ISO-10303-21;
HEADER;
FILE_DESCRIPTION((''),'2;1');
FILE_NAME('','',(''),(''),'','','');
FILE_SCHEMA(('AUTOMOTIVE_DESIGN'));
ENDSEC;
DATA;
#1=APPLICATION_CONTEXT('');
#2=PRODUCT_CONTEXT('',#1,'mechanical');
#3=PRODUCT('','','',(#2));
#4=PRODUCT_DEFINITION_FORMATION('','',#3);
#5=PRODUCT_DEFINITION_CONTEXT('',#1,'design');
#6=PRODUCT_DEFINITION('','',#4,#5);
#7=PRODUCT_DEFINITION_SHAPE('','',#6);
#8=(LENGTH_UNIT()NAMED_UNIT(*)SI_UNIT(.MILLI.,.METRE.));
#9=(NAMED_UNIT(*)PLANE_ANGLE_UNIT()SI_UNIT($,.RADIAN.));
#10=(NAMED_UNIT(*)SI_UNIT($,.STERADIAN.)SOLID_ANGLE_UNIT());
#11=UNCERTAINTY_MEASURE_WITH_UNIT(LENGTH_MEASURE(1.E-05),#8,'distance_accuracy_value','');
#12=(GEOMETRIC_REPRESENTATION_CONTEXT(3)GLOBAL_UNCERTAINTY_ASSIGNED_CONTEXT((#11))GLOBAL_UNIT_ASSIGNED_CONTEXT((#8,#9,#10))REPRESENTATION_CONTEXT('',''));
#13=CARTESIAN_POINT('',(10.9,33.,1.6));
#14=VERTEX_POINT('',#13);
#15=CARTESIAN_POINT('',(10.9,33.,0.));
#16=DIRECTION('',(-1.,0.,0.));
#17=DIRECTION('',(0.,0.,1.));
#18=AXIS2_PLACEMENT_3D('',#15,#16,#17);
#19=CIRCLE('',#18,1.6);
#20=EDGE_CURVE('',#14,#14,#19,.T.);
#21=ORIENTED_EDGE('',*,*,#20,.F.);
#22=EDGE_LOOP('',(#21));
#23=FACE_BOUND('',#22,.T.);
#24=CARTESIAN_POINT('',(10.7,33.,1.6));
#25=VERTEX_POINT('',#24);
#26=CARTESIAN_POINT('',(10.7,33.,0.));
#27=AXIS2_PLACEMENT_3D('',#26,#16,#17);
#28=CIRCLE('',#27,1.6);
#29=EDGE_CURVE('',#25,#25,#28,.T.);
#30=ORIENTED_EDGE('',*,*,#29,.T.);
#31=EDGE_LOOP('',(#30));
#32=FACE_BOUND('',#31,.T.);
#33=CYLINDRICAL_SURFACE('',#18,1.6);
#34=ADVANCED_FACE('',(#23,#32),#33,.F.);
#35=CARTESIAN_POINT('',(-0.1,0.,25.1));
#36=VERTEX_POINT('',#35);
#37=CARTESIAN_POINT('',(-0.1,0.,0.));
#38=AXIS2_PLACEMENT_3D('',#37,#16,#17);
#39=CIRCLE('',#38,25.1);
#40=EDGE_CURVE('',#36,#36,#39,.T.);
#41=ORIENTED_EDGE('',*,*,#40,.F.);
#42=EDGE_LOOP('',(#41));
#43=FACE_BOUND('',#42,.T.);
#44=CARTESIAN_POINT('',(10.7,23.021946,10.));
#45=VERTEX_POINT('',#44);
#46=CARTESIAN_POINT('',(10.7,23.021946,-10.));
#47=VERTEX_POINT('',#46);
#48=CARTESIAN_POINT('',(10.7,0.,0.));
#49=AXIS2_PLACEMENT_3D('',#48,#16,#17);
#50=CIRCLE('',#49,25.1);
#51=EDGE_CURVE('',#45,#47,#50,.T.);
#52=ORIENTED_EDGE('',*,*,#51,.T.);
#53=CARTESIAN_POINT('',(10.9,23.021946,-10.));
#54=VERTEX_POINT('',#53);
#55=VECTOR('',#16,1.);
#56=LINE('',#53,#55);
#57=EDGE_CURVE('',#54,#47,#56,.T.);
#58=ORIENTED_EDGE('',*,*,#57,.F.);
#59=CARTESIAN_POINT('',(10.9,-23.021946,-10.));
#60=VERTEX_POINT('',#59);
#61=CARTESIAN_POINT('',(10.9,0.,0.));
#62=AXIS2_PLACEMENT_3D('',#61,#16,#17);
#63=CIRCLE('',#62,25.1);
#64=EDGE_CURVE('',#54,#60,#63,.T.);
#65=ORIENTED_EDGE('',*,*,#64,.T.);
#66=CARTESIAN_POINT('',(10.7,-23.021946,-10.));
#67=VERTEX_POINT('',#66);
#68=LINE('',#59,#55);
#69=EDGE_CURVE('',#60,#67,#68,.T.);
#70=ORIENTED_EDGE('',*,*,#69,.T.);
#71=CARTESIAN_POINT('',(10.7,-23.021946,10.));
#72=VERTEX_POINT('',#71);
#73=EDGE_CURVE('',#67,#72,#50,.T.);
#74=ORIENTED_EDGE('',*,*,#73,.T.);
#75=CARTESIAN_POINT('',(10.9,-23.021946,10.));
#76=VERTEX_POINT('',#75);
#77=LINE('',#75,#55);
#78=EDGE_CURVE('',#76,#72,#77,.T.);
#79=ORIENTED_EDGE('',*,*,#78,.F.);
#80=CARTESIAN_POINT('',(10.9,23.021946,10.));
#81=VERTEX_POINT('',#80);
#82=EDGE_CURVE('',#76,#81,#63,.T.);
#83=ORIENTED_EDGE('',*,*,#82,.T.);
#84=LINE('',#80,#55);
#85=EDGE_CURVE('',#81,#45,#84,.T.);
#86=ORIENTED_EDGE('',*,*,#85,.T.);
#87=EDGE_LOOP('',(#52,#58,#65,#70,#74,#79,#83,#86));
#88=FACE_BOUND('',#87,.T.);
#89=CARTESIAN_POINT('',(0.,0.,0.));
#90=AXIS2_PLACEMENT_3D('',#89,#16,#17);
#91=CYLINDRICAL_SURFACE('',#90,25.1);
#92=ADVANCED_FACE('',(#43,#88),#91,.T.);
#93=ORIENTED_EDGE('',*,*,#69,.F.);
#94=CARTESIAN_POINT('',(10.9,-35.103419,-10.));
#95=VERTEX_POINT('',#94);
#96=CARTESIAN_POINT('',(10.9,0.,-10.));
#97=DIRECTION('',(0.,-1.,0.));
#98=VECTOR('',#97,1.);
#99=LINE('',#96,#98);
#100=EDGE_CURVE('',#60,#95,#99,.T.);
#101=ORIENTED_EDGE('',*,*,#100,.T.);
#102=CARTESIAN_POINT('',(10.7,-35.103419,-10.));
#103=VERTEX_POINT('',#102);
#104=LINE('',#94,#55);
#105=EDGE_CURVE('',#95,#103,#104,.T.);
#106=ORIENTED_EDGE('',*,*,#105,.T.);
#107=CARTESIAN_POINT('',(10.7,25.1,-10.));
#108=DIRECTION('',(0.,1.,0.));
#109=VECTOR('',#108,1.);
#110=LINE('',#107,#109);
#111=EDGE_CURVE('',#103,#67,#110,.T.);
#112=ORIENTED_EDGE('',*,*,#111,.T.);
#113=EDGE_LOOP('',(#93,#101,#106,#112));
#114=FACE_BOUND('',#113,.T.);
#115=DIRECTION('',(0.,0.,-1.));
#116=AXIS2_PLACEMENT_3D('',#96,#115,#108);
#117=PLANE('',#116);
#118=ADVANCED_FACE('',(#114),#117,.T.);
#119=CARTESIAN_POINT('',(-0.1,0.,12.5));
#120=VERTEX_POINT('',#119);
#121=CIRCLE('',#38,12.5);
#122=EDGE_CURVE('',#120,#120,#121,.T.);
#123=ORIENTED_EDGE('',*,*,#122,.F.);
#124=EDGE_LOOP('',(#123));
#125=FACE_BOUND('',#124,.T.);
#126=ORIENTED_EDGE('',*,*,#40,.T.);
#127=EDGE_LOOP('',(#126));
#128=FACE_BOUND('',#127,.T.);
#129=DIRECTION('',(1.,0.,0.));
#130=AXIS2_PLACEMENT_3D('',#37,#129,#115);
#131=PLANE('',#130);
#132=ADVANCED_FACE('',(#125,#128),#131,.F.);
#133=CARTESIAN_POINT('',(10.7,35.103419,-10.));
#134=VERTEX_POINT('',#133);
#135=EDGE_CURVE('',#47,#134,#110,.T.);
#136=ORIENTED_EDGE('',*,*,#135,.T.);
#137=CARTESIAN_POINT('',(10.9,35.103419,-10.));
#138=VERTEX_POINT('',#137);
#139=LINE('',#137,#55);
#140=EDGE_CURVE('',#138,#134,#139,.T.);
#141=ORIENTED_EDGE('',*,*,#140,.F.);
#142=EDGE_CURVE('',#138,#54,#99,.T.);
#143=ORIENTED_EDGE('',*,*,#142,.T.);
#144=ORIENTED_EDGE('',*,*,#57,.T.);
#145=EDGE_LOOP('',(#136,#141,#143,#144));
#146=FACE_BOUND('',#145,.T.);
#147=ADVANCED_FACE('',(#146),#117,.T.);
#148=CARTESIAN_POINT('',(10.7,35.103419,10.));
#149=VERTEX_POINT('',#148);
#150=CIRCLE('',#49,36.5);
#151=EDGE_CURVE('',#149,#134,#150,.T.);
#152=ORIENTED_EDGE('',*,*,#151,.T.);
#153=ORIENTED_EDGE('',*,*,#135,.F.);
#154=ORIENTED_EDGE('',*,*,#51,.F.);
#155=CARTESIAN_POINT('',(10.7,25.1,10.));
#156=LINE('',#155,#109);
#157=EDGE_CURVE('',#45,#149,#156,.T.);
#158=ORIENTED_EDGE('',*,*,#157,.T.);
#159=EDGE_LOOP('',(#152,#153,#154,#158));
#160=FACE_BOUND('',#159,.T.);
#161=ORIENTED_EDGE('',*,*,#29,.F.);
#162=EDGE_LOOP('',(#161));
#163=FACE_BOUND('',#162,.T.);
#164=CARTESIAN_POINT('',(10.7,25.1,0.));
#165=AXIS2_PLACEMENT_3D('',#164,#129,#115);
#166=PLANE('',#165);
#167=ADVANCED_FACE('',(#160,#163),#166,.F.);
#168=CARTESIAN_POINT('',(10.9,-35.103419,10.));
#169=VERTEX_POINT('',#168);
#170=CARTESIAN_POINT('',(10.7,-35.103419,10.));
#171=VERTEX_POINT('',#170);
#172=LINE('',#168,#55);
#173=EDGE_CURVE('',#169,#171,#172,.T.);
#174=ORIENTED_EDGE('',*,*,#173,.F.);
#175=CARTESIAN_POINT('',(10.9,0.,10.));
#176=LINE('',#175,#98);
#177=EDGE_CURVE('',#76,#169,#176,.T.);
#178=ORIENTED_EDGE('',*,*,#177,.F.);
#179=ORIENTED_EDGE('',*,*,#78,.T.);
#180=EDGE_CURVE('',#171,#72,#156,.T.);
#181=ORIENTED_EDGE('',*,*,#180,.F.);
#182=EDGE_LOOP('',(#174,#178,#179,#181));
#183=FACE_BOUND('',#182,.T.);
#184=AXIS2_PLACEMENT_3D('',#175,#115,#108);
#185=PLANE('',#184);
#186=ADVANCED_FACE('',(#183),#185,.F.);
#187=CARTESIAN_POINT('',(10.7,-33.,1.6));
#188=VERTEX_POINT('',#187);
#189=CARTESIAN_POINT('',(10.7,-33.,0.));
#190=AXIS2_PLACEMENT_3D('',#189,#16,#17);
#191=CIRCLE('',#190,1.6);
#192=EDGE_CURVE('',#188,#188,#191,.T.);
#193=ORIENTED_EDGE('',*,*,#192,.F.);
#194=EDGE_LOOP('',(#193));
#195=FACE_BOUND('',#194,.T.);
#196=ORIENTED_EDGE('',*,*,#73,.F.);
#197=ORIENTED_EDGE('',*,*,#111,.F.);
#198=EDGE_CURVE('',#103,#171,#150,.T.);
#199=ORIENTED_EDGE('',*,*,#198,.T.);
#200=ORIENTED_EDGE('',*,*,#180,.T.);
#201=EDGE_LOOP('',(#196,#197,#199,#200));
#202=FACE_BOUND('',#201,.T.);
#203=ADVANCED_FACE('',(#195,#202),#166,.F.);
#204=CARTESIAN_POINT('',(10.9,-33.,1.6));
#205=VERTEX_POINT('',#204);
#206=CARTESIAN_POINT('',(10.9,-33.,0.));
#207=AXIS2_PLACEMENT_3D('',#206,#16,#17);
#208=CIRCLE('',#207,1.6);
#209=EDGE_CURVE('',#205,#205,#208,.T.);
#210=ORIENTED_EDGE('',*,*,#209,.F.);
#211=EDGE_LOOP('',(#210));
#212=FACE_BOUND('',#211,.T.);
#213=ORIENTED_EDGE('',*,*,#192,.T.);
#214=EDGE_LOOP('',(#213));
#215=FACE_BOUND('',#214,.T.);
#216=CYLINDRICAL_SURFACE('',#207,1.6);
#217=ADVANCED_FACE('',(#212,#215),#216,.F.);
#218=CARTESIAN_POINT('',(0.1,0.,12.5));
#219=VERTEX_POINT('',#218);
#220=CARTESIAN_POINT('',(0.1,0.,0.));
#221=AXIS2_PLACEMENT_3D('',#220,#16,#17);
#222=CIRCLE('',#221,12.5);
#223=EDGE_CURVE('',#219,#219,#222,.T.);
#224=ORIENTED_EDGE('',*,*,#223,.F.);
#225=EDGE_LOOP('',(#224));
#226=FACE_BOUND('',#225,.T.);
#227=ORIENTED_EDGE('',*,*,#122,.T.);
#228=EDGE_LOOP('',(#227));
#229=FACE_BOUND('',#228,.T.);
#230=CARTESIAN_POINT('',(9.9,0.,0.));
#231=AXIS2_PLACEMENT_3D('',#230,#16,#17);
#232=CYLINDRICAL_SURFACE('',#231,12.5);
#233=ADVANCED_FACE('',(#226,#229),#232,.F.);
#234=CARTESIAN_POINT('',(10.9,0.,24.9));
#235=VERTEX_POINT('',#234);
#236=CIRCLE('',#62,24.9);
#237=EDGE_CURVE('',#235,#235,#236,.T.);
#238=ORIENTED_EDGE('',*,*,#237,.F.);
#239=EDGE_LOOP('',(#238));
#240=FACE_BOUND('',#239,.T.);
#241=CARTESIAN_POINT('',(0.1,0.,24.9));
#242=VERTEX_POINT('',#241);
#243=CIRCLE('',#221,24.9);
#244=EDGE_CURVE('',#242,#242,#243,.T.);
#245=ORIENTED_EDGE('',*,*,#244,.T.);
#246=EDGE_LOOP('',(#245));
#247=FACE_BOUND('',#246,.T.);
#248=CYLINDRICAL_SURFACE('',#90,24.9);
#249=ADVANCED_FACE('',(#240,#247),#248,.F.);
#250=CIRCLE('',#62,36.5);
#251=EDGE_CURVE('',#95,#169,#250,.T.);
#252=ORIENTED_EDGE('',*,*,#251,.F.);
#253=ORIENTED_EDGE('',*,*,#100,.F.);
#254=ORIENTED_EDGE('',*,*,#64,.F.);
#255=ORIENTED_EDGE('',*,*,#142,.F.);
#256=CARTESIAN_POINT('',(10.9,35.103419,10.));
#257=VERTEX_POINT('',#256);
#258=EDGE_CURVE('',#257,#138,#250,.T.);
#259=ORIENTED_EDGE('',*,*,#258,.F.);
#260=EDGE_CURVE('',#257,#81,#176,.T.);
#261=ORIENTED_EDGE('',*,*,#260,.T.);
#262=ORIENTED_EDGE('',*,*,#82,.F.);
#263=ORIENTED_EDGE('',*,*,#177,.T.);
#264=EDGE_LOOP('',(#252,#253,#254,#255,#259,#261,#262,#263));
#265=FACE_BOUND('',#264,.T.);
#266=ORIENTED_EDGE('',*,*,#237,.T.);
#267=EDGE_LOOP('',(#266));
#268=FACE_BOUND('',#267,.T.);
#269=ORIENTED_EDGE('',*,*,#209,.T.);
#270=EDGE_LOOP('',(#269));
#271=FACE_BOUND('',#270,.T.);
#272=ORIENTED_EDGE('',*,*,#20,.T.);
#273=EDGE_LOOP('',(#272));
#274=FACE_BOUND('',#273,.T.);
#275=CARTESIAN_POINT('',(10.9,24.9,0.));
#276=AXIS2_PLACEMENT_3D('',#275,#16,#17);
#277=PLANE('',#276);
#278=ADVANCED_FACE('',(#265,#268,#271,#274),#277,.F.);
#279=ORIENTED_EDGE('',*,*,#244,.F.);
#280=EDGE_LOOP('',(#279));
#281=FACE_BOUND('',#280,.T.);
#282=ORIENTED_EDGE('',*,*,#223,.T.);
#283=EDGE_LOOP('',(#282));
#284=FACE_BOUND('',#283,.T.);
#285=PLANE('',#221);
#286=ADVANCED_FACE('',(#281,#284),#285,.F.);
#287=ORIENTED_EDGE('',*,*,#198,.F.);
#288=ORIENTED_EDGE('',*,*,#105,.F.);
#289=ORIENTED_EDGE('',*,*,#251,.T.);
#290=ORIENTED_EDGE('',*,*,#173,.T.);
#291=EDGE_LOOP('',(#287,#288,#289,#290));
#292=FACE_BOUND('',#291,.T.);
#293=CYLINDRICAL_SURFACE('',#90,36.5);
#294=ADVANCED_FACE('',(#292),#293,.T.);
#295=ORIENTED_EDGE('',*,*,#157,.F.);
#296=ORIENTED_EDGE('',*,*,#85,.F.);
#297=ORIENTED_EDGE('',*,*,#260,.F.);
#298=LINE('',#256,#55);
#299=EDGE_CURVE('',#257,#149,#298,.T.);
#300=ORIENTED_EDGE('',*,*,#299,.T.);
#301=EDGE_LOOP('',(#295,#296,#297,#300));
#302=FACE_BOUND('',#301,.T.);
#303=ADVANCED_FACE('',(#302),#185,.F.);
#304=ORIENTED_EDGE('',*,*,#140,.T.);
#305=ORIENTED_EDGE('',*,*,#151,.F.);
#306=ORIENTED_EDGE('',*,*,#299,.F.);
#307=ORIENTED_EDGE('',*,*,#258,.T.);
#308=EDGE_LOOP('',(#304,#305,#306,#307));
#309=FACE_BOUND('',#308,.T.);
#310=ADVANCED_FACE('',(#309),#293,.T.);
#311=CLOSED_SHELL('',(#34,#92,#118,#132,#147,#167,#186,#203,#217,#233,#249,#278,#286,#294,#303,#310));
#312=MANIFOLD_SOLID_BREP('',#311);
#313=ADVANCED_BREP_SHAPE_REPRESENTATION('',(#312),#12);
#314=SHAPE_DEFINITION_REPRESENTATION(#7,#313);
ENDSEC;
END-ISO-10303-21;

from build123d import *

# Parameters (mm, degrees)
CUT_EXTRUDE2_DEPTH = 53.77783625727755
SKETCH4_R          = 1.5999999999999994
CUT_EXTRUDE3_DEPTH = 46.594955861366955
SKETCH2_R          = 12.5
CUT_EXTRUDE4_DEPTH = 10


with BuildPart() as part:
    # Sketch1 → Revolve1 (revolve)
    with BuildSketch(Plane.XY, mode=Mode.PRIVATE) as revolve1_sk:
        Polygon((0.1, 0), (0.1, 24.900000000000002), (10.9, 24.900000000000002), (10.9, 36.50000000000001), (10.700000000000001, 36.50000000000001), (10.700000000000001, 25.1), (-0.1, 25.1), (-0.1, 0), align=None)
    revolve(revolve1_sk.sketch.rotate(Axis((0, 0, 0), (1, 0, 0)), 90), axis=Axis((0, 0, 0), (1, 0, 0)))

    # Sketch3 → Cut-Extrude2 (cut, through all)
    with BuildSketch(Plane.ZY.offset(0.1)):
        with BuildLine():
            Line((-10, 23.02194605153985), (-10, 35.10341863693621))
            ThreePointArc((-10, 35.10341863693621), (-36.50000000000001, 4.47e-15), (-10.000000000000007, -35.103418636936205))
            Line((-9.999999999999996, -35.10341863693621), (-9.999999999999996, -23.021946051539842))
            ThreePointArc((-9.999999999999691, -23.02194605153974), (-25.1, 3.07e-15), (-9.999999999999675, 23.021946051539746))
        make_face()
        with BuildLine():
            ThreePointArc((36.50000000000001, 0), (29.131168874592042, 21.991475621249254), (9.999999999999995, 35.10341863693621))
            Line((10, 35.10341863693621), (10, 23.021946051539338))
            ThreePointArc((10.000000000000362, 23.021946051539448), (20.98821097664126, 13.766081504916185), (25.1, 0))
            ThreePointArc((25.1, -6.15e-15), (20.98821097664126, -13.766081504916182), (10.000000000000357, -23.02194605153945))
            Line((9.999999999999996, -23.021946051539338), (9.999999999999996, -35.10341863693621))
            ThreePointArc((9.999999999999995, -35.10341863693621), (29.13116887459203, -21.991475621249272), (36.50000000000001, -8.94e-15))
        make_face()
    extrude(amount=-CUT_EXTRUDE2_DEPTH, mode=Mode.SUBTRACT)

    # Sketch4 → Cut-Extrude3 (cut, through all)
    with BuildSketch(Plane.ZY.offset(-10.700000000000001)):
        with Locations((0, 33)):
            Circle(SKETCH4_R)
        with Locations((0, -33)):
            Circle(SKETCH4_R)
    extrude(amount=-CUT_EXTRUDE3_DEPTH, mode=Mode.SUBTRACT)

    # Sketch2 → Cut-Extrude4 (cut)
    with BuildSketch(Plane.ZY.offset(0.1)):
        Circle(SKETCH2_R)
    extrude(amount=-CUT_EXTRUDE4_DEPTH, mode=Mode.SUBTRACT)


solid = part.part
